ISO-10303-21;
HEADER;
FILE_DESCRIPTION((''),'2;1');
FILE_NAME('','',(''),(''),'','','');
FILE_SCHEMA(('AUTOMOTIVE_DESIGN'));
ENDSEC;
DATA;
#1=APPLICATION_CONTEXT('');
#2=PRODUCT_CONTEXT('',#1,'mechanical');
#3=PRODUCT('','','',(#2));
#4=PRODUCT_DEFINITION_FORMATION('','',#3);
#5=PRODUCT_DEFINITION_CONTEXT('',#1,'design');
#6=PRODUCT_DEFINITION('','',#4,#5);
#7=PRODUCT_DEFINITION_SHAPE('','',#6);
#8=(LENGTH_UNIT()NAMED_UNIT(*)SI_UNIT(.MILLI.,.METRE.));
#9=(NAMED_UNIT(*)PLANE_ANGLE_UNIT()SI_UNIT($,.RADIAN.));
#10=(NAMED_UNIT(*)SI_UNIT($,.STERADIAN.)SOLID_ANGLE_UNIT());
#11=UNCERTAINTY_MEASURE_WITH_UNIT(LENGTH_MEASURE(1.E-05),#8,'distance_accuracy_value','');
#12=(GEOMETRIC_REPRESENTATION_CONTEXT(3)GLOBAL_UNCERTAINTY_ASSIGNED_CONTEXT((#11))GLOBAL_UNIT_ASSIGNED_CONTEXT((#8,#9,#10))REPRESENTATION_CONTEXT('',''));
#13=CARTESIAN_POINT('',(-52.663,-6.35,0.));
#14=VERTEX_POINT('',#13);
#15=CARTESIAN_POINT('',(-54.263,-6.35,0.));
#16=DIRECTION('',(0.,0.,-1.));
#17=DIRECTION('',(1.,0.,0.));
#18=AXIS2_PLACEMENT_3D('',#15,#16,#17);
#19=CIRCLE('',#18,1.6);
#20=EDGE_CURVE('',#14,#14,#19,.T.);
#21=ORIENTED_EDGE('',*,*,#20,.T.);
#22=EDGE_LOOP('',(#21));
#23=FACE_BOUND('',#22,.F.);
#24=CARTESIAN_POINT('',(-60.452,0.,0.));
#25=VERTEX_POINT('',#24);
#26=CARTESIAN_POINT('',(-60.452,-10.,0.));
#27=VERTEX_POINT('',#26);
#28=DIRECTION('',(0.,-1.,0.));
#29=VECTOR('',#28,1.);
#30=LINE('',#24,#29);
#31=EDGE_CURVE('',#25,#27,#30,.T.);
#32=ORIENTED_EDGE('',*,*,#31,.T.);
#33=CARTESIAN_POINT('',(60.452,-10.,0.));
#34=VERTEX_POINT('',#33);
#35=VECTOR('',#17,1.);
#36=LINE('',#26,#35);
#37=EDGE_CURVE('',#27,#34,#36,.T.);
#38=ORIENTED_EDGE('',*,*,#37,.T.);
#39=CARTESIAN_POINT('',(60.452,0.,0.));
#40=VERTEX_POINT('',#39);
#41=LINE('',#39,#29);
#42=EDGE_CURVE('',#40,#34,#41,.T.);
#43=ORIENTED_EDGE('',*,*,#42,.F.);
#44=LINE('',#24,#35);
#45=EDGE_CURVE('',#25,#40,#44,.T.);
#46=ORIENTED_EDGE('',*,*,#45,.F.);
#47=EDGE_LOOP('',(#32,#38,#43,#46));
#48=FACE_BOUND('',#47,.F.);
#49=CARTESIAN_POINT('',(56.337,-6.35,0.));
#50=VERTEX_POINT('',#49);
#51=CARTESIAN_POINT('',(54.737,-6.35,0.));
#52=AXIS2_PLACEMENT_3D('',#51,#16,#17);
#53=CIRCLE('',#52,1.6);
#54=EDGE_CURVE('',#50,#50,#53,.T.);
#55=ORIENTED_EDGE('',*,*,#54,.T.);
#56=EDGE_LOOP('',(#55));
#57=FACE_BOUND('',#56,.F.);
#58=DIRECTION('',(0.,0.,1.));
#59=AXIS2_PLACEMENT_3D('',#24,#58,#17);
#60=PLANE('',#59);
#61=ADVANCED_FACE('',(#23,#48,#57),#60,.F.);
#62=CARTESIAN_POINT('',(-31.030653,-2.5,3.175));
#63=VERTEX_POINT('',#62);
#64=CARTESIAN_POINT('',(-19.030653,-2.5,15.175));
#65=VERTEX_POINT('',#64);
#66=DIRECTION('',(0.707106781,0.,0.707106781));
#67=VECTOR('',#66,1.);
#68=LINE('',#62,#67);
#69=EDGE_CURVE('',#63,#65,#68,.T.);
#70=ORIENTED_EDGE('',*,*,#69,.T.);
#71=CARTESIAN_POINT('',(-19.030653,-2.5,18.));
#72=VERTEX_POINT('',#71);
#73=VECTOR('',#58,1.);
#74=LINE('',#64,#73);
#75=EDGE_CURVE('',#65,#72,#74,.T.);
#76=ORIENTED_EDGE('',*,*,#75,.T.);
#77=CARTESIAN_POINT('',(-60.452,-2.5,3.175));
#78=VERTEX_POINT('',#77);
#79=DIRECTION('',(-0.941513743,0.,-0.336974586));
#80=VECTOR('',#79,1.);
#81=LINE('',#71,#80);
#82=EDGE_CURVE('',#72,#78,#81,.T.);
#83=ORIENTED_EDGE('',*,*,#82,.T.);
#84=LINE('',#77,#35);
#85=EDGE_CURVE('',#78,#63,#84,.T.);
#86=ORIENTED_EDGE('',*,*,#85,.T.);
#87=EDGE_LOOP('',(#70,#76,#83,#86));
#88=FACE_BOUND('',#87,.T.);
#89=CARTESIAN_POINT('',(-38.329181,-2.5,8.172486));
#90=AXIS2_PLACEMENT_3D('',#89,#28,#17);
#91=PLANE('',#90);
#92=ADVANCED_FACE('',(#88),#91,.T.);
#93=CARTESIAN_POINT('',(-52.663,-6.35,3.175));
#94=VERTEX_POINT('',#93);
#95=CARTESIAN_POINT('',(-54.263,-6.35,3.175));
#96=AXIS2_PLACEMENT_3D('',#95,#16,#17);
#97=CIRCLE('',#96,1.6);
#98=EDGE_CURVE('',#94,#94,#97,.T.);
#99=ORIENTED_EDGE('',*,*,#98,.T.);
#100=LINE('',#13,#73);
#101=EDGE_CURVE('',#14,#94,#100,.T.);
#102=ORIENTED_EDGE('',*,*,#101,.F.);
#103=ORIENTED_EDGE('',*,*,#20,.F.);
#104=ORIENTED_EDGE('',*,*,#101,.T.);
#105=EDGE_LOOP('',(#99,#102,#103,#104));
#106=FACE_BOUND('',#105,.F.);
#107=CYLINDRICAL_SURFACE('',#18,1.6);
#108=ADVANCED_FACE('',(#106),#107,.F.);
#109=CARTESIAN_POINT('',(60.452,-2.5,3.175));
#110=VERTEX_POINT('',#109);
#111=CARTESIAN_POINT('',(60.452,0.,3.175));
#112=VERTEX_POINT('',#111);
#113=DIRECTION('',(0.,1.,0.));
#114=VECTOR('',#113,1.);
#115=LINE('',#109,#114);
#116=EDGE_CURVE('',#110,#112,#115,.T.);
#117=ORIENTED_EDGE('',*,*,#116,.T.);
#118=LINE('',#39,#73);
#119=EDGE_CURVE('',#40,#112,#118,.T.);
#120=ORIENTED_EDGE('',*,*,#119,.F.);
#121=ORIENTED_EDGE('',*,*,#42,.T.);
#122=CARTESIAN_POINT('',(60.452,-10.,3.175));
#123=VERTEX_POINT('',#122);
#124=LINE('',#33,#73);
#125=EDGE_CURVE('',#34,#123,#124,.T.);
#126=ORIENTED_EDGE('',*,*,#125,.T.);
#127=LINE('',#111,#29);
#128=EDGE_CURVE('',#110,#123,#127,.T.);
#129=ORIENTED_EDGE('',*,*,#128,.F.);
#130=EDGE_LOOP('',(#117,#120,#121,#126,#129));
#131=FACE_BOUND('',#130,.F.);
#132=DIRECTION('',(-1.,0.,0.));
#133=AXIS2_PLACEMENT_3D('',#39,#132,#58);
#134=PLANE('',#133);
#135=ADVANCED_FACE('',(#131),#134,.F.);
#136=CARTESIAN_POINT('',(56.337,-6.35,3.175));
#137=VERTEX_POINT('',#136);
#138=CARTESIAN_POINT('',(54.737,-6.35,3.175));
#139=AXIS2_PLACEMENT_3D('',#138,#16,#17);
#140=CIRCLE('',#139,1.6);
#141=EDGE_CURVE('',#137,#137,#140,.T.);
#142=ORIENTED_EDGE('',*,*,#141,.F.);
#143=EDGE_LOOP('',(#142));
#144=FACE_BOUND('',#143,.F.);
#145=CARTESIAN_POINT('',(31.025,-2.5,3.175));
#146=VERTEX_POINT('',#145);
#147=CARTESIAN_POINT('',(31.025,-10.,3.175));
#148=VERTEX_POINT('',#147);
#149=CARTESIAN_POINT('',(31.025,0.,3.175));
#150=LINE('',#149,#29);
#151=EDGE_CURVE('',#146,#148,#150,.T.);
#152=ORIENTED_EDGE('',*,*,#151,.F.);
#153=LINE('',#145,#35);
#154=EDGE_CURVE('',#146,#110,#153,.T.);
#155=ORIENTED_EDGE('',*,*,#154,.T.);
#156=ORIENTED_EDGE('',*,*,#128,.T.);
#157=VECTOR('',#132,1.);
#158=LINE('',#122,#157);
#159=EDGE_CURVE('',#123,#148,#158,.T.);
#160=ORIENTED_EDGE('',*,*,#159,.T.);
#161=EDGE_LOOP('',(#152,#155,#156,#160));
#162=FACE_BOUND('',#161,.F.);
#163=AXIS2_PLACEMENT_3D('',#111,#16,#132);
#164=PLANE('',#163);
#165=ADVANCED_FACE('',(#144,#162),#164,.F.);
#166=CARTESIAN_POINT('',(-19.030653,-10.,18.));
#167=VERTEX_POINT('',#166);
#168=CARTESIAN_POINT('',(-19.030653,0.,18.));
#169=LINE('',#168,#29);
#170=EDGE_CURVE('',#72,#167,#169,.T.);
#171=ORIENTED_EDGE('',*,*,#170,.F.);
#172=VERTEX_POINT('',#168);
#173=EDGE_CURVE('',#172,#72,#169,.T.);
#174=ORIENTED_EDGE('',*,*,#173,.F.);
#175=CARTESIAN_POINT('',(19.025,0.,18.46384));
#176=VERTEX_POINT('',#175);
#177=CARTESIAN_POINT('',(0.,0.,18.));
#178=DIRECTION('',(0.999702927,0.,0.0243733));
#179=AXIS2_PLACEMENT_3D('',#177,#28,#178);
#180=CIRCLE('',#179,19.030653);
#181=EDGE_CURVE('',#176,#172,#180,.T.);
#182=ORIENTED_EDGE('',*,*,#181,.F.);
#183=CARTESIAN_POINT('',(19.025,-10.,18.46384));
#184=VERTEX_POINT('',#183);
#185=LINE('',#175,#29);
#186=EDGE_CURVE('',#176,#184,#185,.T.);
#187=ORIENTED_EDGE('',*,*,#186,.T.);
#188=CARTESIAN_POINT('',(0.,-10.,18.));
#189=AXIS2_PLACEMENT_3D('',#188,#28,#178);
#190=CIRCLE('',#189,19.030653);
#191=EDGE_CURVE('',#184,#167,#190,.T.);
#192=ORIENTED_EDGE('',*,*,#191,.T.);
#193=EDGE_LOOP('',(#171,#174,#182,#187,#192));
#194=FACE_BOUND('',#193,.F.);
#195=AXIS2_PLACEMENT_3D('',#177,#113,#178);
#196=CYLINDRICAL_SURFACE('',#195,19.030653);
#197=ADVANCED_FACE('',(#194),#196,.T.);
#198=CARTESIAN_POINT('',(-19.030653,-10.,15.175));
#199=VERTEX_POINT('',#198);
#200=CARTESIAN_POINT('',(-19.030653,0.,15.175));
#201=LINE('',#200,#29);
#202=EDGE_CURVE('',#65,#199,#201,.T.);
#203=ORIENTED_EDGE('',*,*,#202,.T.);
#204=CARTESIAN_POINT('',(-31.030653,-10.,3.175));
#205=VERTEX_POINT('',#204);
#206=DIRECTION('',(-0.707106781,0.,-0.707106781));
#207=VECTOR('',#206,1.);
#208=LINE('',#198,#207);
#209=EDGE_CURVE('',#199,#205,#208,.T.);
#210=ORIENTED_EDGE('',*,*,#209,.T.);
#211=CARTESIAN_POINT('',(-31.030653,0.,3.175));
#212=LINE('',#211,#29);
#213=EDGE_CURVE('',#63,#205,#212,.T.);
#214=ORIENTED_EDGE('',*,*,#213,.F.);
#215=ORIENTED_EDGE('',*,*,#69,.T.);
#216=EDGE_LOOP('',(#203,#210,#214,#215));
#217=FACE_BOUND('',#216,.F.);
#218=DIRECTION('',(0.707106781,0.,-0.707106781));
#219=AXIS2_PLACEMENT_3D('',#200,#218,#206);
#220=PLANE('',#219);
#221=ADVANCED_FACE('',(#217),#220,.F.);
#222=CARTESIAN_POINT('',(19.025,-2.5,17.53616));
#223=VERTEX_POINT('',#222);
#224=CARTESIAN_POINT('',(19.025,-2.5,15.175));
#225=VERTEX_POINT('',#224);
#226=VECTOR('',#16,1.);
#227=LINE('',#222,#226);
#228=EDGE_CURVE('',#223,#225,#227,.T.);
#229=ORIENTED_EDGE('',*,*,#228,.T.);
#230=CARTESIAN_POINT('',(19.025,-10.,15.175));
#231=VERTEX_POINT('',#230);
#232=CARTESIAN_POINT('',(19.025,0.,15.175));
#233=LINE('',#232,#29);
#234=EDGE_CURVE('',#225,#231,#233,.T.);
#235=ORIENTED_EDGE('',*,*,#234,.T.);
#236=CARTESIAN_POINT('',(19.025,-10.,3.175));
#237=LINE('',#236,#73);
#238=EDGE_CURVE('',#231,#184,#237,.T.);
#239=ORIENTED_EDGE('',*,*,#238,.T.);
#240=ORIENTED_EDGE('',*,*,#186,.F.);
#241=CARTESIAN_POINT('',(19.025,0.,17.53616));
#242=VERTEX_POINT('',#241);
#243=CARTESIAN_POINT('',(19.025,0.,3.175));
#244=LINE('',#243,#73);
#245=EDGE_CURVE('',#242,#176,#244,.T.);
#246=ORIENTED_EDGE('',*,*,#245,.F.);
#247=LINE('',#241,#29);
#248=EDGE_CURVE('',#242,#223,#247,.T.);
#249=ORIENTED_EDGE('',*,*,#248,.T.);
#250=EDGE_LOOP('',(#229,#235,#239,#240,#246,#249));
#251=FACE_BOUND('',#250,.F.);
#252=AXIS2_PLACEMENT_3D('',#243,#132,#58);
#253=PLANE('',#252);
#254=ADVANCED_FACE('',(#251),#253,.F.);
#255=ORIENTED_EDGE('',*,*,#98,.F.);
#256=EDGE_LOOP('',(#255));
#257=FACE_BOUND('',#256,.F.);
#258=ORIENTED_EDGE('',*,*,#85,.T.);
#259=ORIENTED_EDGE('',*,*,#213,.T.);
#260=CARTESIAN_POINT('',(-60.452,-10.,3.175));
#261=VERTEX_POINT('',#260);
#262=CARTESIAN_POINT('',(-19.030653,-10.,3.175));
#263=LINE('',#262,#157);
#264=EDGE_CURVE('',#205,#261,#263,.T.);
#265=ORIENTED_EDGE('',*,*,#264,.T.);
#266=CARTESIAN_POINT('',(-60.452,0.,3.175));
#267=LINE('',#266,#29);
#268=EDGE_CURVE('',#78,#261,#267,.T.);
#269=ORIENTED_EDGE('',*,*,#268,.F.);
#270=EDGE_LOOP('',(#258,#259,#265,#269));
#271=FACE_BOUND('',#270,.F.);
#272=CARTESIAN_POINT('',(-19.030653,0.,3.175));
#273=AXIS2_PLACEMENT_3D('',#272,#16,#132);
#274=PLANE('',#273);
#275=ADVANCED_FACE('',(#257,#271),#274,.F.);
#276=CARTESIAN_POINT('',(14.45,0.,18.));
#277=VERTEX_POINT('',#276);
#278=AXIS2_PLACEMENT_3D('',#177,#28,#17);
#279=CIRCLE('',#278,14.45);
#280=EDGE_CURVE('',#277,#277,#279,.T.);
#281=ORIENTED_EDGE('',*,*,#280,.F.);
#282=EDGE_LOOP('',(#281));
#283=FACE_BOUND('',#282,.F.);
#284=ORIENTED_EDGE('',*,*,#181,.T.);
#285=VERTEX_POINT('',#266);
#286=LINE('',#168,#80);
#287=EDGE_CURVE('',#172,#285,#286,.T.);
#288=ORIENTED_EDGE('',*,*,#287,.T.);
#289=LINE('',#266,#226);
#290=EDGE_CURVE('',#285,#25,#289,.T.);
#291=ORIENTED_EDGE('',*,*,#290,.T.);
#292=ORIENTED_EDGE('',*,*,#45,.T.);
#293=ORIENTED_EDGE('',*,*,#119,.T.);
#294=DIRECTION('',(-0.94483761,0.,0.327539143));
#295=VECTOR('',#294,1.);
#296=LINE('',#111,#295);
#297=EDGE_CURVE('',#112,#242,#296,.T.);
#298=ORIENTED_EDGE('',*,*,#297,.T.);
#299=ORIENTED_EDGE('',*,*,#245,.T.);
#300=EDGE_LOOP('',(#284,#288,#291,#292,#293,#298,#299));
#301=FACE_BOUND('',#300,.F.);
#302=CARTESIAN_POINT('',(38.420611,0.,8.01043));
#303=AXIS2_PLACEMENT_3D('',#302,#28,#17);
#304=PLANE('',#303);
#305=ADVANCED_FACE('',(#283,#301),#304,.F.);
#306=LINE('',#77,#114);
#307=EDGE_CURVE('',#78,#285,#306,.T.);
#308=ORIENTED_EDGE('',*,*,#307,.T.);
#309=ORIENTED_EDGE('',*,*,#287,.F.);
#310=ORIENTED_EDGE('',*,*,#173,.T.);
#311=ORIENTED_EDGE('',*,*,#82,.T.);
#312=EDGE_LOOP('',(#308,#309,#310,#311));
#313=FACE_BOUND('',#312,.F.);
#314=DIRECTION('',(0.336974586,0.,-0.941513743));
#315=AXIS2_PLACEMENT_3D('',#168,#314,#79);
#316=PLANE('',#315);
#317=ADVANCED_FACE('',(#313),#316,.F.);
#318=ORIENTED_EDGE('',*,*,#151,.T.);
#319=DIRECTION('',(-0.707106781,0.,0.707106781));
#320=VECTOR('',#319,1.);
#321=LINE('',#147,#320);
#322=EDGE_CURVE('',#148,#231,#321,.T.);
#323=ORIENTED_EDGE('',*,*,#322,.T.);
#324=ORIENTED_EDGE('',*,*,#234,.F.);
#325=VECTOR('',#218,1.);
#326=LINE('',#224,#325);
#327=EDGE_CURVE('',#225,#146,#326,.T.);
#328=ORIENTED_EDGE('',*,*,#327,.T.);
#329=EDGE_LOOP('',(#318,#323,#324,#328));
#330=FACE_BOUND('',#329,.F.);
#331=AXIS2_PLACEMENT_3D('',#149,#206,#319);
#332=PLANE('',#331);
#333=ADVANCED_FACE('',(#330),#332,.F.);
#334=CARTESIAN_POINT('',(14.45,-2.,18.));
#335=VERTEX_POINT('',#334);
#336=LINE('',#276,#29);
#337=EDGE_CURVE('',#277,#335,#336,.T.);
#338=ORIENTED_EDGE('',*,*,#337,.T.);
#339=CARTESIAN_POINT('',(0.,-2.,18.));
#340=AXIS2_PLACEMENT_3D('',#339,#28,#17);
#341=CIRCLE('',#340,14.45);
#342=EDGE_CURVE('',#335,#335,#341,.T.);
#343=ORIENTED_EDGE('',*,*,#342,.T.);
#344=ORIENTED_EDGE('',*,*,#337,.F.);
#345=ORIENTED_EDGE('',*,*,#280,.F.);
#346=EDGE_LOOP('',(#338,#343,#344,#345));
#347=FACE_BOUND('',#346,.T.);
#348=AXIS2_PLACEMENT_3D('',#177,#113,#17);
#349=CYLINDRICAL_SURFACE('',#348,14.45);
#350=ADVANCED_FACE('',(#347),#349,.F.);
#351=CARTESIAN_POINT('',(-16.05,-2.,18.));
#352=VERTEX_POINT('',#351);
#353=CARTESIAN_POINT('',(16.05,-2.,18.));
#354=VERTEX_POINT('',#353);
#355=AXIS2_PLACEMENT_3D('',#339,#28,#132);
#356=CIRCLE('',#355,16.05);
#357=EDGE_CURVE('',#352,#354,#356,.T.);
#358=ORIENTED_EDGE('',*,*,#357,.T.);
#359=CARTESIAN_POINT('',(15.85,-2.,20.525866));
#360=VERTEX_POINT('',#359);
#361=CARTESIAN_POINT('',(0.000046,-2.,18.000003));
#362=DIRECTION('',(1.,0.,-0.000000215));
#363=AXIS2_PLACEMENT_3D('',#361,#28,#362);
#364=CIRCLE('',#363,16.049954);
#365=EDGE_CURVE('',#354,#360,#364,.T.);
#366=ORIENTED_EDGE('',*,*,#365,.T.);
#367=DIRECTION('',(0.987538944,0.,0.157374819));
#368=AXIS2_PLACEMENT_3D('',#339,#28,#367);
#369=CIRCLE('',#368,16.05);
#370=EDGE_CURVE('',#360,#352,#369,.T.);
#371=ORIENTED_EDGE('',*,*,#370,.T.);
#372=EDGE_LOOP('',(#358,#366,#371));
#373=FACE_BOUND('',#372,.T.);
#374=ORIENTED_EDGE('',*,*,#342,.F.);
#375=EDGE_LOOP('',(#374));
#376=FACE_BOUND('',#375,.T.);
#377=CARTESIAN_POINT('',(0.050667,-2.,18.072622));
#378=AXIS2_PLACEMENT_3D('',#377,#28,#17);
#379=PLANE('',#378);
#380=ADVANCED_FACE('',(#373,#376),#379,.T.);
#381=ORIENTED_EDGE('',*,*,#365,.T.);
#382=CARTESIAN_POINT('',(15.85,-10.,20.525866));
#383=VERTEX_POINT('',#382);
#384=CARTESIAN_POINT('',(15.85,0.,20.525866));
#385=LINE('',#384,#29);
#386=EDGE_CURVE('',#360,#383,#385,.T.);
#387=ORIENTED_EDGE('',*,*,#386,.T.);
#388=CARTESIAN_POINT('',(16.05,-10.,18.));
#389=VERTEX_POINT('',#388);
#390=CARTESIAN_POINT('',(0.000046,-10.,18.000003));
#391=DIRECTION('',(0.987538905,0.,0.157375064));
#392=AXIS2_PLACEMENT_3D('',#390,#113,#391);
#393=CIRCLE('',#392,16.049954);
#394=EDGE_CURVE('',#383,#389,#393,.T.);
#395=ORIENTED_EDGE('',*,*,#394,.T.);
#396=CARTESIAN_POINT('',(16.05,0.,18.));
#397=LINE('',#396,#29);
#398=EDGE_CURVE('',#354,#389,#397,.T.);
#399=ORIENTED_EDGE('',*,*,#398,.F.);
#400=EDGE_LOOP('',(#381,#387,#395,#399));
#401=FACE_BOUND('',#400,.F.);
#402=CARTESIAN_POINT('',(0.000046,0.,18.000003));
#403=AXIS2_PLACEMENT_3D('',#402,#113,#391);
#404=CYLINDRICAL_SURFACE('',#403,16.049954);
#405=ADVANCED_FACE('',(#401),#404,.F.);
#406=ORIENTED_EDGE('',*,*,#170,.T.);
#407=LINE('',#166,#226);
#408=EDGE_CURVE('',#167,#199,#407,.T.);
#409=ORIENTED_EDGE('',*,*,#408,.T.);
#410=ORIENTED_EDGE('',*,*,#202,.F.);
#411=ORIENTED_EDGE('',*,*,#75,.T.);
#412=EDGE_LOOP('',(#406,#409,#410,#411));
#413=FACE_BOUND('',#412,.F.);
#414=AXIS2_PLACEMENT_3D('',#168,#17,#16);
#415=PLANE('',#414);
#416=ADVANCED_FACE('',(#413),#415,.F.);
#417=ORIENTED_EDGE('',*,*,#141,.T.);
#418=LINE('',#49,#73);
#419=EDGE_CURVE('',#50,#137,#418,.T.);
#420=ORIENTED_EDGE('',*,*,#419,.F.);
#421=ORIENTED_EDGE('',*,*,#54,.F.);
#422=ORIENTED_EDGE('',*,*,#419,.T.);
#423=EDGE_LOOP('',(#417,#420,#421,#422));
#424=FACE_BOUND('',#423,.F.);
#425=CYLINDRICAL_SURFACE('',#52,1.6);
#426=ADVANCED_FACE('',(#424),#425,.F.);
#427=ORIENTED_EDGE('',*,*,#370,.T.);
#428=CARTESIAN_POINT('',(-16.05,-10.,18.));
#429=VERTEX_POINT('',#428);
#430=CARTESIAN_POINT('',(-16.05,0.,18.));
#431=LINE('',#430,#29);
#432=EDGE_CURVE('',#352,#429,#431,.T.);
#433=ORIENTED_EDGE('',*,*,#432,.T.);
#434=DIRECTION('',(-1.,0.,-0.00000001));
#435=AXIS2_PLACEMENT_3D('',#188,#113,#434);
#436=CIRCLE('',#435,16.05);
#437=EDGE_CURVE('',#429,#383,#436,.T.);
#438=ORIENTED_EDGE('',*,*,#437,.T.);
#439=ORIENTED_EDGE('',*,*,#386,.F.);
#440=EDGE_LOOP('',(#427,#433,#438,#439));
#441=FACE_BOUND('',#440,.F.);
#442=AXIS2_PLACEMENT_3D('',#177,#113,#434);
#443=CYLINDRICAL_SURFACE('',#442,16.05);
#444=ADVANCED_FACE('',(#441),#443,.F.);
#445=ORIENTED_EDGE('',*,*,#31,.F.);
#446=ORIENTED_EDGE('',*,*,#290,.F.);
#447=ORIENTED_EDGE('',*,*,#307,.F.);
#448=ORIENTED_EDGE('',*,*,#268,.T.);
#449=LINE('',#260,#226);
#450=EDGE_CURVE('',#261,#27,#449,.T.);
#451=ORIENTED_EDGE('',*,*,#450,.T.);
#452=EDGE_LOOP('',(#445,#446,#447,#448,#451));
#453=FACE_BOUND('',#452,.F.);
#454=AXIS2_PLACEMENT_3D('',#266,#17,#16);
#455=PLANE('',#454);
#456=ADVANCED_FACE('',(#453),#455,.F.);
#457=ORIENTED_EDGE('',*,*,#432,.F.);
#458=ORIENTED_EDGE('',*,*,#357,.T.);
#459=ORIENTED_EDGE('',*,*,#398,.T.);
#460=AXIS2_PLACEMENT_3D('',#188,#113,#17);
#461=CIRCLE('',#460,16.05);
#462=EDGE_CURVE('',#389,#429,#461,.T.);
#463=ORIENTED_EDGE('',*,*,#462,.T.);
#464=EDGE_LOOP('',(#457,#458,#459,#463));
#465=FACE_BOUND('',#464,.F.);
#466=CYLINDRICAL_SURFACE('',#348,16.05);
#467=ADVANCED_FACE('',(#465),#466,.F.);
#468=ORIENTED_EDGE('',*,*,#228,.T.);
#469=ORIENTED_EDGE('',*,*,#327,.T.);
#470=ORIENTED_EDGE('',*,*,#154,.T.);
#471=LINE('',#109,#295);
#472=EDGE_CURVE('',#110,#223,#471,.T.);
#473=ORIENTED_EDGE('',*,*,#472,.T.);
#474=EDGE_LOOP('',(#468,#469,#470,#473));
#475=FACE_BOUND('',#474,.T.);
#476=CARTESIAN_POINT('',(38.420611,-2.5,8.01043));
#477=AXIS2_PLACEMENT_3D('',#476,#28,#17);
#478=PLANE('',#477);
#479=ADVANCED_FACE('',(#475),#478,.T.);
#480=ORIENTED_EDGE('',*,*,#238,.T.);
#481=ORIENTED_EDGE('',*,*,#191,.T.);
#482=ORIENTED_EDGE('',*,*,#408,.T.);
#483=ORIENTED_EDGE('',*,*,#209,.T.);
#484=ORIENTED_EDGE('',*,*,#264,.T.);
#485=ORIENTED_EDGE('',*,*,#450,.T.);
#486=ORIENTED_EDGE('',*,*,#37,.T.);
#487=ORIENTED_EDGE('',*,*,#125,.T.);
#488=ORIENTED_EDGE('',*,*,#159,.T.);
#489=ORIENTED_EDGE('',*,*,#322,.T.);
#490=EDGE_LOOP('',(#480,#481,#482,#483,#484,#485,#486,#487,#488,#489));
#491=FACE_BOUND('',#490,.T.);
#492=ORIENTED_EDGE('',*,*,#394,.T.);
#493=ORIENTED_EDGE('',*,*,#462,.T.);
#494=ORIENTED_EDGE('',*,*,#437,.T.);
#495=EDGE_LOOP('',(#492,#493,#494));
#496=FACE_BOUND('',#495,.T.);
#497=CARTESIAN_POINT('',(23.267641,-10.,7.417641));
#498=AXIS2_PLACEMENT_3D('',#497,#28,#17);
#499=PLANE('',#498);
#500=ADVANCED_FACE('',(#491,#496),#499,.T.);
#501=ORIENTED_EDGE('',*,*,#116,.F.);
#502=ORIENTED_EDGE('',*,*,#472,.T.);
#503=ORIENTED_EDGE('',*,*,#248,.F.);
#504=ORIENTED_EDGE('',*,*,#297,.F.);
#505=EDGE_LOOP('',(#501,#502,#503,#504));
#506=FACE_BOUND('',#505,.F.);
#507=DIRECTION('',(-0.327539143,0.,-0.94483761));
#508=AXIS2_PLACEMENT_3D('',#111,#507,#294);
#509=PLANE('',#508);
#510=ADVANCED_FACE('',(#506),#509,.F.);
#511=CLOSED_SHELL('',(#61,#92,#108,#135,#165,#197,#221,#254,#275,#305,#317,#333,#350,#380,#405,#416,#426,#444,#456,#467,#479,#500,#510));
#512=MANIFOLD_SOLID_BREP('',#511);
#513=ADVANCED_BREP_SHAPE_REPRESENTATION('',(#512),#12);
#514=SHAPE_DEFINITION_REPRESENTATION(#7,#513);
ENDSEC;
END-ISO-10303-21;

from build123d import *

# Parameters (mm, degrees)
F1_DEPTH = 10
F0_R     = 14.45
F2_DEPTH = 1.5875
F3_R     = 1.6
F4_DEPTH = 6.35
F5_DEPTH = 2
F6_DEPTH = 2
F7_DEPTH = 10
F8_DEPTH = 2.5


with BuildPart() as f1:
    # F0 (on Front) → F1 (new body)
    with BuildSketch(Plane.XZ):
        with BuildLine():
            Line((-60.452, 3.175), (-60.452, 0))
            Line((-60.452, 0), (-15.875, 0))
            Line((-15.875, 0), (15.85, 0))
            Line((15.85, 0), (60.452, 0))
            Line((60.452, 0), (60.452, 3.175))
            Line((60.452, 3.175), (31.025, 3.175))
            Line((31.025, 3.175), (19.025, 3.175))
            Line((19.025, 3.175), (19.025, 15.175))
            Line((19.025, 15.175), (19.025, 17.53616))
            Line((19.025, 17.53616), (19.025, 18.46384))
            ThreePointArc((19.025, 18.46384), (-0.231937, 37.02924), (-19.030653, 18))
            Line((-19.030653, 18), (-19.030653, 15.175))
            Line((-19.030653, 15.175), (-19.030653, 3.175))
            Line((-19.030653, 3.175), (-31.030653, 3.175))
            Line((-31.030653, 3.175), (-60.452, 3.175))
        make_face()
        with BuildLine():
            ThreePointArc((-16.05, 18), (-1.266886, 33.999922), (15.85, 20.525866))
            ThreePointArc((15.85, 20.525866), (15.999922, 19.266886), (16.05, 18))
            ThreePointArc((16.05, 18), (0, 1.95), (-16.05, 18))
        make_face(mode=Mode.SUBTRACT)
    extrude(amount=F1_DEPTH)

    # F0 (on Front) → F2 (join)
    with BuildSketch(Plane.XZ):
        with BuildLine():
            ThreePointArc((16.05, 18), (15.999922, 19.266886), (15.85, 20.525866))
            ThreePointArc((15.85, 20.525866), (-1.266886, 33.999922), (-16.05, 18))
            ThreePointArc((-16.05, 18), (0, 1.95), (16.05, 18))
        make_face()
        with Locations((0, 18)):
            Circle(F0_R, mode=Mode.SUBTRACT)
    extrude(amount=F2_DEPTH)

    # F3 (on face) → F4 (cut)
    with BuildSketch(Plane(origin=(0, 0, 0), x_dir=(1, 0, 0), z_dir=(0, 0, -1))):
        with Locations((-54.263, 6.35)):
            Circle(F3_R)
        with Locations((54.737, 6.35)):
            Circle(F3_R)
    extrude(amount=-F4_DEPTH, mode=Mode.SUBTRACT)

    # F0 (on Front) → F5 (join)
    with BuildSketch(Plane.XZ):
        with BuildLine():
            ThreePointArc((16.05, 18), (15.999922, 19.266886), (15.85, 20.525866))
            ThreePointArc((15.85, 20.525866), (-1.266886, 33.999922), (-16.05, 18))
            ThreePointArc((-16.05, 18), (0, 1.95), (16.05, 18))
        make_face()
        with Locations((0, 18)):
            Circle(F0_R, mode=Mode.SUBTRACT)
    extrude(amount=F5_DEPTH)

    # F0 (on Front) → F6 (join)
    with BuildSketch(Plane.XZ):
        Polygon((31.025, 3.175), (60.452, 3.175), (19.025, 17.53616), (19.025, 15.175), align=None)
        Polygon((-19.030653, 18), (-60.452, 3.175), (-31.030653, 3.175), (-19.030653, 15.175), align=None)
    extrude(amount=F6_DEPTH)

    # F0 (on Front) → F7 (join)
    with BuildSketch(Plane.XZ):
        Polygon((19.025, 3.175), (31.025, 3.175), (19.025, 15.175), align=None)
        Polygon((-19.030653, 15.175), (-31.030653, 3.175), (-19.030653, 3.175), align=None)
    extrude(amount=F7_DEPTH)

    # F0 (on Front) → F8 (join)
    with BuildSketch(Plane.XZ):
        Polygon((31.025, 3.175), (60.452, 3.175), (19.025, 17.53616), (19.025, 15.175), align=None)
        Polygon((-19.030653, 18), (-60.452, 3.175), (-31.030653, 3.175), (-19.030653, 15.175), align=None)
    extrude(amount=F8_DEPTH)


solid = f1.part
